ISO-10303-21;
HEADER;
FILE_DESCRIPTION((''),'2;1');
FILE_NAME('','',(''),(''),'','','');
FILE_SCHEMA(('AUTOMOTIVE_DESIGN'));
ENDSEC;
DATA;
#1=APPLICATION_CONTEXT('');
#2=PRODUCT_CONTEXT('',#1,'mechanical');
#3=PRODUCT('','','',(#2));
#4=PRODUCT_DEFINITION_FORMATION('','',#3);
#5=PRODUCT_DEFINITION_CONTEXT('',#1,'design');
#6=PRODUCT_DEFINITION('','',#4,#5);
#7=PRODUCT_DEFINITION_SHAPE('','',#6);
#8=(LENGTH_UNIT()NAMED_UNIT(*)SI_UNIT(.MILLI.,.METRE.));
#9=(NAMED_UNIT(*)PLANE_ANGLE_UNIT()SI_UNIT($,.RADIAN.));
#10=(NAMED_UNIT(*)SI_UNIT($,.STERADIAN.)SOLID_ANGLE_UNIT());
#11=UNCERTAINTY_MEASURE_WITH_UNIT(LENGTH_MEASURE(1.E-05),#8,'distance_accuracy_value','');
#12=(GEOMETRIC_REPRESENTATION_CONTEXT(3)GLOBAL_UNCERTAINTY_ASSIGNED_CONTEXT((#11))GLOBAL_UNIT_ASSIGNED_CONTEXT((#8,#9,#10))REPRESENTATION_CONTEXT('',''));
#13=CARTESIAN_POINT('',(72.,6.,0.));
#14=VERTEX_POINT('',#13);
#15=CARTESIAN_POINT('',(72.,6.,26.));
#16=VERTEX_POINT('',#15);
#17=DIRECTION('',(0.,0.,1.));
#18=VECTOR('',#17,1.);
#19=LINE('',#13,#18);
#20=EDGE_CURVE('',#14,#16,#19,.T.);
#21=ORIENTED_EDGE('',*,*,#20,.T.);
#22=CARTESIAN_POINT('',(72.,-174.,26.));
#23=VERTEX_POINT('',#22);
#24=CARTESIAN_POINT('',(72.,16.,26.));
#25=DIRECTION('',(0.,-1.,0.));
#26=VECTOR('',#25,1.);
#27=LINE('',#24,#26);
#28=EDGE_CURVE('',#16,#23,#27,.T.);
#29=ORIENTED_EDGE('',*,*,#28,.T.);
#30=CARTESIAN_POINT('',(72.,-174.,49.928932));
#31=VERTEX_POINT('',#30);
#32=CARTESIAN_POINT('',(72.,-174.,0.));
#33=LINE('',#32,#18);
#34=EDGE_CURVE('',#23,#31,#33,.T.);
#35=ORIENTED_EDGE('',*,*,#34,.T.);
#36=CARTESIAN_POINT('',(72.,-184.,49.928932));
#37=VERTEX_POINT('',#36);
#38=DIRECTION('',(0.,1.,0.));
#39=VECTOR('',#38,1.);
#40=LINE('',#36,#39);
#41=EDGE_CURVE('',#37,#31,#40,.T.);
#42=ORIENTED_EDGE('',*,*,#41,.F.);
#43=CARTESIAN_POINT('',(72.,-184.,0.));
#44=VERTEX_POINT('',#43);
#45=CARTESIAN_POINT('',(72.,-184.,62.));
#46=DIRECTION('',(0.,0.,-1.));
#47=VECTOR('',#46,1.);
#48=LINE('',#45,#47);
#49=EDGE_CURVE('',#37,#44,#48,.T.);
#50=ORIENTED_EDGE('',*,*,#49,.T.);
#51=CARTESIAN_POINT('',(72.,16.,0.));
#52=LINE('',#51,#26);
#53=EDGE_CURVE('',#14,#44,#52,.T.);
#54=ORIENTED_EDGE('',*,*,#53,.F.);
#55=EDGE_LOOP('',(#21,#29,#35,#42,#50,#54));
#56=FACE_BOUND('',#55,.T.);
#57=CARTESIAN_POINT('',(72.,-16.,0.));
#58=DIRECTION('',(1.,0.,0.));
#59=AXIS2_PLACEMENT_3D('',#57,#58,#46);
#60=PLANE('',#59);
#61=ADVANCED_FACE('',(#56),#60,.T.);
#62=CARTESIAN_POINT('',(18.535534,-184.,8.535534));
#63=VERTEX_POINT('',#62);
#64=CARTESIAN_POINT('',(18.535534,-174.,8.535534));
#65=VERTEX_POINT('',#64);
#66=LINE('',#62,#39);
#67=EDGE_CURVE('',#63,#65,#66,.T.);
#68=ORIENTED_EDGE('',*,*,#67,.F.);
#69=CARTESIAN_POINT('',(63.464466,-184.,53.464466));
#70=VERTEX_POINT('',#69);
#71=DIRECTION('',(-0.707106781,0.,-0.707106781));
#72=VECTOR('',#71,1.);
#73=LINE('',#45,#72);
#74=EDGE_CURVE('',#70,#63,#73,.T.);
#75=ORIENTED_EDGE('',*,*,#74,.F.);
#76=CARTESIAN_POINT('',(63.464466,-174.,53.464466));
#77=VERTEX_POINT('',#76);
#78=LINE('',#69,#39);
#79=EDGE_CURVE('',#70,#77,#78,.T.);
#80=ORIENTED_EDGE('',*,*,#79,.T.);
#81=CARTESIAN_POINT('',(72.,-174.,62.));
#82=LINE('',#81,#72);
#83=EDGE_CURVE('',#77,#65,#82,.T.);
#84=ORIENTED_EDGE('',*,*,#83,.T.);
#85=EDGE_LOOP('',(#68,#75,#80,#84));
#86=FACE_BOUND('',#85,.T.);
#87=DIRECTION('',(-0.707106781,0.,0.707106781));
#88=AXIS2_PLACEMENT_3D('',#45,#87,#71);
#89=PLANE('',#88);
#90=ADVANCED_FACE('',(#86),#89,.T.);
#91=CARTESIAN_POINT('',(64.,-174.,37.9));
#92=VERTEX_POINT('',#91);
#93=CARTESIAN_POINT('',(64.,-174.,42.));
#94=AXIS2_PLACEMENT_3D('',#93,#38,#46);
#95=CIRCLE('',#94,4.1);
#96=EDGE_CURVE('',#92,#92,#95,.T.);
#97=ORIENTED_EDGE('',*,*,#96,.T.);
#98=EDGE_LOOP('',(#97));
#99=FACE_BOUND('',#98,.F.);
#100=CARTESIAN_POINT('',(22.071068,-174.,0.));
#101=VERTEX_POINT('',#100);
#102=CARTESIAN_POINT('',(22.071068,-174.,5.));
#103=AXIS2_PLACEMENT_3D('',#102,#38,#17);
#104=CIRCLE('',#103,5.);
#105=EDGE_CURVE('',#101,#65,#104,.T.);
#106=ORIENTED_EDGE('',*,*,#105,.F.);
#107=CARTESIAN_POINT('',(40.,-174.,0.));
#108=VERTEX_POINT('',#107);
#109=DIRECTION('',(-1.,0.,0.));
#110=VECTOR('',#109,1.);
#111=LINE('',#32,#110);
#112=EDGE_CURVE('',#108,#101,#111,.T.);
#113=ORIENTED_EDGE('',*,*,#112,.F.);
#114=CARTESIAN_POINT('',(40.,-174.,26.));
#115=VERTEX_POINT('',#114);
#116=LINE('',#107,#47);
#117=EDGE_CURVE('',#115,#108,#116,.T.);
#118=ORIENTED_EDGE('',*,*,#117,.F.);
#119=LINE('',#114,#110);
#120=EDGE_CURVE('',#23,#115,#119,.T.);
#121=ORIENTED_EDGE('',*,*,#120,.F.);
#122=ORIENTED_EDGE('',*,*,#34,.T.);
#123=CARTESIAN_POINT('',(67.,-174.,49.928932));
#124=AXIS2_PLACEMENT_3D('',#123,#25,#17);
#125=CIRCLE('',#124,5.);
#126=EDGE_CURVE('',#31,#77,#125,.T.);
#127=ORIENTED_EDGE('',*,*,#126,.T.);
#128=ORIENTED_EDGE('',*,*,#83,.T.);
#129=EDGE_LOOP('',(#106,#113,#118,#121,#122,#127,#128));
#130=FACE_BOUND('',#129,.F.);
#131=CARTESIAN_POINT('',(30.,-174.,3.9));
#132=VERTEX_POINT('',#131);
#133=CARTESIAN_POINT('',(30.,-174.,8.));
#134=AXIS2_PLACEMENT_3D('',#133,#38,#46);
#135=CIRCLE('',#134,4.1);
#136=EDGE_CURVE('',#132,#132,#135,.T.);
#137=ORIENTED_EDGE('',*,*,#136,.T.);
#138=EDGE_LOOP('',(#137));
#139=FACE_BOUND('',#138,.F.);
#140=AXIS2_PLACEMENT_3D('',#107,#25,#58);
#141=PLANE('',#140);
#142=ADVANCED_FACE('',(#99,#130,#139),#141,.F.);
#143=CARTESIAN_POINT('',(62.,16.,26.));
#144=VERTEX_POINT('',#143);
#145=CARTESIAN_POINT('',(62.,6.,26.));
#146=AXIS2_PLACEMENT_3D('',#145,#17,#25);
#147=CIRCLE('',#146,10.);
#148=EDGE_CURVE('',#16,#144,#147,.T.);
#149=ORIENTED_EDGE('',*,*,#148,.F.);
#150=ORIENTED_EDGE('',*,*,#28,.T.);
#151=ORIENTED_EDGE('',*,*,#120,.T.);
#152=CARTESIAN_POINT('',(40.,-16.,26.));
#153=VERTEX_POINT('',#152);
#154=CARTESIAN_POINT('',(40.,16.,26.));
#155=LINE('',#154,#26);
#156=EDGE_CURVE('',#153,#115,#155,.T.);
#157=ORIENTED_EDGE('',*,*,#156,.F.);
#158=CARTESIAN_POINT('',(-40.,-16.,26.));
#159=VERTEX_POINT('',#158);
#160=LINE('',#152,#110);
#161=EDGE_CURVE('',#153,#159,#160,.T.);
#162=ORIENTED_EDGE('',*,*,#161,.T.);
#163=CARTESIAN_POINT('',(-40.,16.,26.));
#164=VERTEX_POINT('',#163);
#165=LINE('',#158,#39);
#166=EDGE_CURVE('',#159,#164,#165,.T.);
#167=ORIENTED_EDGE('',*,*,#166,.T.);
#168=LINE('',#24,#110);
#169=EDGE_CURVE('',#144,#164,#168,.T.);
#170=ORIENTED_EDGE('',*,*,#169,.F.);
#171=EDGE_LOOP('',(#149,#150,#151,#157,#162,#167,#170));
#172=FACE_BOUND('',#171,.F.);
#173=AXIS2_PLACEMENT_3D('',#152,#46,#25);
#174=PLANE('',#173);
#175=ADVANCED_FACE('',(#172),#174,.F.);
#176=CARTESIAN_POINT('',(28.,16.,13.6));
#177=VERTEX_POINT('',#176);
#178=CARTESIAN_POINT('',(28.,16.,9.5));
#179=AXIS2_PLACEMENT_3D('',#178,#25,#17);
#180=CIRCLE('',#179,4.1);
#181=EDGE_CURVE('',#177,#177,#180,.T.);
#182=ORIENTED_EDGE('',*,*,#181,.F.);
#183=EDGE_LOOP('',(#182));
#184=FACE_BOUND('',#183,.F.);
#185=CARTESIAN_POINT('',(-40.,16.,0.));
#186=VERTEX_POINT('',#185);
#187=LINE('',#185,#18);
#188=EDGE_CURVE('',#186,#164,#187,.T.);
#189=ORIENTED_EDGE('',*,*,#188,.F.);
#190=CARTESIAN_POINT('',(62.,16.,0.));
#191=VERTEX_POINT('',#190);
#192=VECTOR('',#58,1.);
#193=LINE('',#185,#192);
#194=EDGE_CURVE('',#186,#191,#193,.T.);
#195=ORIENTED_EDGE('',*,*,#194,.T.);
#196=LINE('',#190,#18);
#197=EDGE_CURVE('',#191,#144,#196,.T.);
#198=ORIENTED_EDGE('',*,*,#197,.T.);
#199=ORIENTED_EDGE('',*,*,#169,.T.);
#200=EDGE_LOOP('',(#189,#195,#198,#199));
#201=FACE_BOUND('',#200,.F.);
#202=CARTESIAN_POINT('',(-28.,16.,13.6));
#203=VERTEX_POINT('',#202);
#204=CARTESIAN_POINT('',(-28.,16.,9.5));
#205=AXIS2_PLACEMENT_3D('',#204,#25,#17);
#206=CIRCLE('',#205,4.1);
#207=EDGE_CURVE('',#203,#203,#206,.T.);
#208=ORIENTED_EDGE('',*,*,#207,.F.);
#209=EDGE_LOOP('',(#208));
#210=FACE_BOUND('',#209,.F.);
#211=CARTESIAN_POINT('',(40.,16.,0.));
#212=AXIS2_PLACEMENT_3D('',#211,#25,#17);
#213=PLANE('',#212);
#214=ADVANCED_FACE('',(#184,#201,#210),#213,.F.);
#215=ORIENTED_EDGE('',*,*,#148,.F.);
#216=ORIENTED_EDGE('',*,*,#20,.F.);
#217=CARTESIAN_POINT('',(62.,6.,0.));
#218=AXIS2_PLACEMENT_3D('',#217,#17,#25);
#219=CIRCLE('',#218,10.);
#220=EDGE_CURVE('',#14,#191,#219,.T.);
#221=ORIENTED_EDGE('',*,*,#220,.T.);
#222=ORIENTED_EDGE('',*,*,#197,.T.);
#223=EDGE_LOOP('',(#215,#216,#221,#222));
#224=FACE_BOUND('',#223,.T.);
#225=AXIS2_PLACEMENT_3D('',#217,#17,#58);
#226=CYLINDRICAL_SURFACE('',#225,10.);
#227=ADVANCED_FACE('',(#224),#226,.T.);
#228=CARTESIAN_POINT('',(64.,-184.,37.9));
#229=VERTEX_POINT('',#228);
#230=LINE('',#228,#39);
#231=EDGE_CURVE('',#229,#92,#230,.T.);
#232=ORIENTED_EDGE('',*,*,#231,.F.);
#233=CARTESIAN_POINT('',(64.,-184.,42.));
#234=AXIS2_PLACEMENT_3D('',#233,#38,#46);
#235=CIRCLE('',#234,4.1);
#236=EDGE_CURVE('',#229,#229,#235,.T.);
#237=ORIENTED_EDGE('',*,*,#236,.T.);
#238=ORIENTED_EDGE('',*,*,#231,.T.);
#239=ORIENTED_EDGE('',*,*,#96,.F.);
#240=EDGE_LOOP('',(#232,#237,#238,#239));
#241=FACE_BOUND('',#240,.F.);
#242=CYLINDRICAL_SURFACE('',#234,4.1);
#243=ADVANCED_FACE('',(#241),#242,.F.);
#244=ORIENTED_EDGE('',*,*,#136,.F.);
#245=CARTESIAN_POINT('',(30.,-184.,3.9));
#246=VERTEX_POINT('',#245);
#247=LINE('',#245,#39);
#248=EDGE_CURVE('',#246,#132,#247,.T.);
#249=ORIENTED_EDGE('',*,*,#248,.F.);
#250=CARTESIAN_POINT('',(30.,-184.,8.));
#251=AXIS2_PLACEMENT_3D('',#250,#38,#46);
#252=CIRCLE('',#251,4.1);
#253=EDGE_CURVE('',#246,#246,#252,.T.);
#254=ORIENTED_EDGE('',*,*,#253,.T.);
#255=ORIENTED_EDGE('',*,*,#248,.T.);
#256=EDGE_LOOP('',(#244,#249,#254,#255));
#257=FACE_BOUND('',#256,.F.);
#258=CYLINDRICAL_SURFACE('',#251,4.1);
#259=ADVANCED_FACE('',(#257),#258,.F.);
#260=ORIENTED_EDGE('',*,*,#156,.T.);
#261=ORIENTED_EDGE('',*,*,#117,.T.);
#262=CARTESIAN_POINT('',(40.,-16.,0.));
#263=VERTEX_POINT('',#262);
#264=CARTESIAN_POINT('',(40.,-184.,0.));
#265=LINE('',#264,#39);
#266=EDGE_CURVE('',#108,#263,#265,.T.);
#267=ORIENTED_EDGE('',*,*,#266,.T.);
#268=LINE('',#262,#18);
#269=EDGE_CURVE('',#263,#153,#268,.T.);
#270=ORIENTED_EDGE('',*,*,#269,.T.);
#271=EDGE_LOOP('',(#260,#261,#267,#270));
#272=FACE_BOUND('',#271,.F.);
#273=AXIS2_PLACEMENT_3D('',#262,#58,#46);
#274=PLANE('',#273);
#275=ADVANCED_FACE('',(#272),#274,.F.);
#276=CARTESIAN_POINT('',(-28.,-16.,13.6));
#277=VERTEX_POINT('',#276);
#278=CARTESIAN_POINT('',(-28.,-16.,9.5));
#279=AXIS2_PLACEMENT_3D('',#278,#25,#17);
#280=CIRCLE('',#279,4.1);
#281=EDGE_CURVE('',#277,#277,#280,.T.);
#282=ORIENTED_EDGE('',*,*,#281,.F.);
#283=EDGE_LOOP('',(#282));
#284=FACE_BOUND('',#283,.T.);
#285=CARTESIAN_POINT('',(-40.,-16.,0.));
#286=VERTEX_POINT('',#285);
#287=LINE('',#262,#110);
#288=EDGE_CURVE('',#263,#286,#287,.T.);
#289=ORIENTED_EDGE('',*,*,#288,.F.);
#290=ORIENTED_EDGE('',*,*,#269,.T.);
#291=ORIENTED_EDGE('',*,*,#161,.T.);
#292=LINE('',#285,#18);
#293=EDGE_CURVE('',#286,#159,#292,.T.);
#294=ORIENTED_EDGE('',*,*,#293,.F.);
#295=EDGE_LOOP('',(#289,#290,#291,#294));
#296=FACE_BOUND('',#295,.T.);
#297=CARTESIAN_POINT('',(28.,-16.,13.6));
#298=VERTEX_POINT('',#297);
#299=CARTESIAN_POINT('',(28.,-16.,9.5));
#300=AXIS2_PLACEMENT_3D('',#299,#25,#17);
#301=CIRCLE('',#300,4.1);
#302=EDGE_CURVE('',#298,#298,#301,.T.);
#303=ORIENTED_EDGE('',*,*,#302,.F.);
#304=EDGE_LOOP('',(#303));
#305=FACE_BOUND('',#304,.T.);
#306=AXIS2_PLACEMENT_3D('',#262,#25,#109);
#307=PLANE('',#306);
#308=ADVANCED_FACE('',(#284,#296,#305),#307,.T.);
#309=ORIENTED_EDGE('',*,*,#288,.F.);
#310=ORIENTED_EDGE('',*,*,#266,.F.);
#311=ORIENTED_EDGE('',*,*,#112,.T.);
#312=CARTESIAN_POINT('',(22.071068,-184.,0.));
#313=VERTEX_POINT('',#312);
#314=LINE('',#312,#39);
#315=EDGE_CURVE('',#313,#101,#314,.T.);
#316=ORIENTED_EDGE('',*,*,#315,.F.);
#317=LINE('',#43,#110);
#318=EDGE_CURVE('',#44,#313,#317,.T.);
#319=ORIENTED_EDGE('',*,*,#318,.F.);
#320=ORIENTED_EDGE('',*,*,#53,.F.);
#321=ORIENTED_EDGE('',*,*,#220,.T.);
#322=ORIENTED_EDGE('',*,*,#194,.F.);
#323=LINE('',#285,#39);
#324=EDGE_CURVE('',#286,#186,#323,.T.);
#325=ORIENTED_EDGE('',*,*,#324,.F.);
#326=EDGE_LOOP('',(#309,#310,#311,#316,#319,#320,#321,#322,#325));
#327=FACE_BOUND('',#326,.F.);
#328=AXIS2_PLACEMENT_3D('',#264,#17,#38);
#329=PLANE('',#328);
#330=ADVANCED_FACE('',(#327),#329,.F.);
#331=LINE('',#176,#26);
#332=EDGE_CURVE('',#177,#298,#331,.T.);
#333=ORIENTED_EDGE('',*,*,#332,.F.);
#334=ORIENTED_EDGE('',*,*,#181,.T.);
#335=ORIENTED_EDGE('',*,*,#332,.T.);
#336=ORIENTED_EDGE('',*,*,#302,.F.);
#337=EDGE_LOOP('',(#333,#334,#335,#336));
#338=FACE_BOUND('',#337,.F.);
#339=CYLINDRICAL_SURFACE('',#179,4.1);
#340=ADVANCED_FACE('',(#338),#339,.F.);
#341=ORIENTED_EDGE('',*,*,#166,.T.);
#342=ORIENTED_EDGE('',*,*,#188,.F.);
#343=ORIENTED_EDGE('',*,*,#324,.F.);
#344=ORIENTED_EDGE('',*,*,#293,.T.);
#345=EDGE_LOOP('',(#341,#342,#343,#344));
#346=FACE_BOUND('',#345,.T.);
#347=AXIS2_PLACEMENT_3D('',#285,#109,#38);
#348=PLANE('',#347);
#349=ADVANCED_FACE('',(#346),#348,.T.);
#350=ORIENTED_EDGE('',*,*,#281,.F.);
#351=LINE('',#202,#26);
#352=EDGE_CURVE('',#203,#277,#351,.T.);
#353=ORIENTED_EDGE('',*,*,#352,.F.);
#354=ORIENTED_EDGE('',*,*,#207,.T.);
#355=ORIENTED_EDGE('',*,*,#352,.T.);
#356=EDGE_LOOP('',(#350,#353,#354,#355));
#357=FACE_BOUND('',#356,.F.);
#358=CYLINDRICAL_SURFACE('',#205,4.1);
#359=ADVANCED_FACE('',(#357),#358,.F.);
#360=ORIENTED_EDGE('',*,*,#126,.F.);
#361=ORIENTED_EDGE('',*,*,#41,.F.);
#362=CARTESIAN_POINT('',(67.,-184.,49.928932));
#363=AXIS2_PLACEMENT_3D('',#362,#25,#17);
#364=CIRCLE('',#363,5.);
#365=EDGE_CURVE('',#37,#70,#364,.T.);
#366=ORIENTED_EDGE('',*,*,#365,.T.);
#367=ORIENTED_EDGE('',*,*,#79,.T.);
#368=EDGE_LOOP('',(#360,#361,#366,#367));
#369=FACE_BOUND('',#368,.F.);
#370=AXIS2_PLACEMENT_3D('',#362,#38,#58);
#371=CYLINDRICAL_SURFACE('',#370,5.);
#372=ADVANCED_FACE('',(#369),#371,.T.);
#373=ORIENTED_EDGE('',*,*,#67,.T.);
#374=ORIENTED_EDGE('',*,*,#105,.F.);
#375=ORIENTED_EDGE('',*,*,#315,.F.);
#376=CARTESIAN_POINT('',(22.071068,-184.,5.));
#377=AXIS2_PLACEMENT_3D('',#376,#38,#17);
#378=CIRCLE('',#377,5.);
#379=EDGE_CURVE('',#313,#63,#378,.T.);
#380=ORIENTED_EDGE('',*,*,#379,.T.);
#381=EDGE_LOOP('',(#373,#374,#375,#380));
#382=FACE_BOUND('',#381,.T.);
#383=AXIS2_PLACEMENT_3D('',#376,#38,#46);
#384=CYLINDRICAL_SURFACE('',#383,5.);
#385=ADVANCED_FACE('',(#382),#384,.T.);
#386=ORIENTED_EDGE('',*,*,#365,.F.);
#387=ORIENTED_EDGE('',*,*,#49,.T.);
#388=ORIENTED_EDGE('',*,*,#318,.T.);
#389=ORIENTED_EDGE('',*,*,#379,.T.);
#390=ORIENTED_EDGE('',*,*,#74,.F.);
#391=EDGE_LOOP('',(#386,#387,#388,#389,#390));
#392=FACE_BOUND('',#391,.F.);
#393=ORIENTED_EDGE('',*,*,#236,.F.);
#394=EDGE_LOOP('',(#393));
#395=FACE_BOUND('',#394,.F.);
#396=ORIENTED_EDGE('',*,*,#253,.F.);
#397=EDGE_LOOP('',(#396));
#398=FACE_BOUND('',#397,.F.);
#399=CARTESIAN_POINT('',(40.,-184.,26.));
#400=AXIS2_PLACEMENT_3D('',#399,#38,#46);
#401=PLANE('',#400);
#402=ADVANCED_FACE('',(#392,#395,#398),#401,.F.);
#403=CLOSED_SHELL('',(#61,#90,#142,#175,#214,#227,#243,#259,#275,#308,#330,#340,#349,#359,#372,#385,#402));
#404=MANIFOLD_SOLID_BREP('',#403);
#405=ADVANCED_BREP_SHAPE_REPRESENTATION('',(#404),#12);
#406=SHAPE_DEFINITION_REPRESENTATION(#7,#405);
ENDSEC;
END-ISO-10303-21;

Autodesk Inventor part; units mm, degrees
ref_plane "YZ Plane" through (0, 0, 0) normal (1, 0, 0) x (0, 1, 0)
ref_plane "XZ Plane" through (0, 0, 0) normal (0, 1, 0) x (-1, 0, 0)
ref_plane "XY Plane" through (0, 0, 0) normal (0, 0, 1) x (1, 0, 0)
sketch "Sketch2" plane through (0, 0, 0) normal (0, 0, 1) x (1, 0, 0)
  line L0 (-40, 16) -> (40, 16)
  line L1 (40, 16) -> (40, -16)
  line L2 (40, -16) -> (-40, -16)
  line L3 (-40, -16) -> (-40, 16)
  line L4 (-40, 16) -> (40, -16) construction
  line L5 (40, 16) -> (-40, -16) construction
  point P0 (0, 0)
  dimension "d4" = 32
  dimension "d5" = 80
extrude "Extrusion1" add sketch "Sketch2" along normal blind 26
sketch "Sketch6" plane through (-40, 16, 0) normal (0, 1, 0) x (1, 0, 0)
  line L0 (12, -9.5) -> (0, -9.5) construction
  line L1 (0, 0) -> (0, -26) projected
  line L2 (68, -9.5) -> (80, -9.5) construction
  line L3 (80, 0) -> (80, -26) projected
  line L4 (80, 0) -> (0, 0) projected
  point P0 (40, 0)
  point P1 (74, -9.5)
  dimension "d29" = 56
  dimension "d30" = 9.5
hole "Hole3" at (-28, 16, 9.5) at (28, 16, 9.5) direction (0, -1, 0) diameter 8.2 end through all
sketch "Sketch7" plane through (-40, -16, 0) normal (0, -1, 0) x (1, 0, 0)
  line L0 (80, 0) -> (80, 26) projected
  line L1 (0, 0) -> (0, 26) projected
  line L2 (80, 0) -> (0, 26)
  point P0 (40, 0)
sketch "Sketch9" plane through (40, -16, 0) normal (1, 0, 0) x (0, 0, -1)
  line L0 (0, 0) -> (0, 32) projected
  line L1 (0, 32) -> (-26, 32)
  line L2 (-26, 32) -> (-26, -168)
  line L3 (-26, -168) -> (0, -168)
  line L4 (0, -168) -> (0, 32)
  line L5 (-26, 0) -> (-26, 32) projected
  point P0 (0, 16)
  dimension "d38" = 200
extrude "Extrusion4" add sketch "Sketch9" along normal blind 32
sketch "Sketch11" plane through (40, -184, 0) normal (0, -1, 0) x (1, 0, 0)
  line L0 (32, 0) -> (-30, 0)
  line L1 (32, 62) -> (-30, 0)
  line L2 (32, 0) -> (32, 62)
  point P0 (-40, 0)
  point P1 (0, 0)
  dimension "d43" = 62
  dimension "d44" = 62
extrude "Extrusion5" add sketch "Sketch11" against normal blind 10
fillet "Fillet1" radius 5 2 edges at (10, -179, 0) (72, -179, 62)
sketch "Sketch12" plane through (72, -184, 0) normal (0, -1, 0) x (1, 0, 0)
  line L0 (0, 0) -> (-32, 0)
  line L1 (-32, 0) -> (-32, 32)
  line L2 (-32, 32) -> (0, 32)
  line L3 (0, 32) -> (0, 0)
  circle A0 centre (-44, 9.5) radius 4.1 projected
  line L4 (-49.9289, 0) -> (0, 0) projected
  line L5 (0, 0) -> (0, 49.9289) projected
  point P0 (-72, 0)
  point P1 (-8, 42)
  point P2 (-42, 8)
  dimension "d48" = 32
  dimension "d49" = 32
  dimension "d50" = 8
  dimension "d51" = 10
  dimension "d52" = 10
  dimension "d53" = 8
hole "Hole4" at (64, -184, 42) at (30, -184, 8) direction (0, 1, 0) diameter 8.2 depth 20
fillet "Fillet2" radius 10 1 edges at (72, 16, 13)
properties part number "13042026-13"
